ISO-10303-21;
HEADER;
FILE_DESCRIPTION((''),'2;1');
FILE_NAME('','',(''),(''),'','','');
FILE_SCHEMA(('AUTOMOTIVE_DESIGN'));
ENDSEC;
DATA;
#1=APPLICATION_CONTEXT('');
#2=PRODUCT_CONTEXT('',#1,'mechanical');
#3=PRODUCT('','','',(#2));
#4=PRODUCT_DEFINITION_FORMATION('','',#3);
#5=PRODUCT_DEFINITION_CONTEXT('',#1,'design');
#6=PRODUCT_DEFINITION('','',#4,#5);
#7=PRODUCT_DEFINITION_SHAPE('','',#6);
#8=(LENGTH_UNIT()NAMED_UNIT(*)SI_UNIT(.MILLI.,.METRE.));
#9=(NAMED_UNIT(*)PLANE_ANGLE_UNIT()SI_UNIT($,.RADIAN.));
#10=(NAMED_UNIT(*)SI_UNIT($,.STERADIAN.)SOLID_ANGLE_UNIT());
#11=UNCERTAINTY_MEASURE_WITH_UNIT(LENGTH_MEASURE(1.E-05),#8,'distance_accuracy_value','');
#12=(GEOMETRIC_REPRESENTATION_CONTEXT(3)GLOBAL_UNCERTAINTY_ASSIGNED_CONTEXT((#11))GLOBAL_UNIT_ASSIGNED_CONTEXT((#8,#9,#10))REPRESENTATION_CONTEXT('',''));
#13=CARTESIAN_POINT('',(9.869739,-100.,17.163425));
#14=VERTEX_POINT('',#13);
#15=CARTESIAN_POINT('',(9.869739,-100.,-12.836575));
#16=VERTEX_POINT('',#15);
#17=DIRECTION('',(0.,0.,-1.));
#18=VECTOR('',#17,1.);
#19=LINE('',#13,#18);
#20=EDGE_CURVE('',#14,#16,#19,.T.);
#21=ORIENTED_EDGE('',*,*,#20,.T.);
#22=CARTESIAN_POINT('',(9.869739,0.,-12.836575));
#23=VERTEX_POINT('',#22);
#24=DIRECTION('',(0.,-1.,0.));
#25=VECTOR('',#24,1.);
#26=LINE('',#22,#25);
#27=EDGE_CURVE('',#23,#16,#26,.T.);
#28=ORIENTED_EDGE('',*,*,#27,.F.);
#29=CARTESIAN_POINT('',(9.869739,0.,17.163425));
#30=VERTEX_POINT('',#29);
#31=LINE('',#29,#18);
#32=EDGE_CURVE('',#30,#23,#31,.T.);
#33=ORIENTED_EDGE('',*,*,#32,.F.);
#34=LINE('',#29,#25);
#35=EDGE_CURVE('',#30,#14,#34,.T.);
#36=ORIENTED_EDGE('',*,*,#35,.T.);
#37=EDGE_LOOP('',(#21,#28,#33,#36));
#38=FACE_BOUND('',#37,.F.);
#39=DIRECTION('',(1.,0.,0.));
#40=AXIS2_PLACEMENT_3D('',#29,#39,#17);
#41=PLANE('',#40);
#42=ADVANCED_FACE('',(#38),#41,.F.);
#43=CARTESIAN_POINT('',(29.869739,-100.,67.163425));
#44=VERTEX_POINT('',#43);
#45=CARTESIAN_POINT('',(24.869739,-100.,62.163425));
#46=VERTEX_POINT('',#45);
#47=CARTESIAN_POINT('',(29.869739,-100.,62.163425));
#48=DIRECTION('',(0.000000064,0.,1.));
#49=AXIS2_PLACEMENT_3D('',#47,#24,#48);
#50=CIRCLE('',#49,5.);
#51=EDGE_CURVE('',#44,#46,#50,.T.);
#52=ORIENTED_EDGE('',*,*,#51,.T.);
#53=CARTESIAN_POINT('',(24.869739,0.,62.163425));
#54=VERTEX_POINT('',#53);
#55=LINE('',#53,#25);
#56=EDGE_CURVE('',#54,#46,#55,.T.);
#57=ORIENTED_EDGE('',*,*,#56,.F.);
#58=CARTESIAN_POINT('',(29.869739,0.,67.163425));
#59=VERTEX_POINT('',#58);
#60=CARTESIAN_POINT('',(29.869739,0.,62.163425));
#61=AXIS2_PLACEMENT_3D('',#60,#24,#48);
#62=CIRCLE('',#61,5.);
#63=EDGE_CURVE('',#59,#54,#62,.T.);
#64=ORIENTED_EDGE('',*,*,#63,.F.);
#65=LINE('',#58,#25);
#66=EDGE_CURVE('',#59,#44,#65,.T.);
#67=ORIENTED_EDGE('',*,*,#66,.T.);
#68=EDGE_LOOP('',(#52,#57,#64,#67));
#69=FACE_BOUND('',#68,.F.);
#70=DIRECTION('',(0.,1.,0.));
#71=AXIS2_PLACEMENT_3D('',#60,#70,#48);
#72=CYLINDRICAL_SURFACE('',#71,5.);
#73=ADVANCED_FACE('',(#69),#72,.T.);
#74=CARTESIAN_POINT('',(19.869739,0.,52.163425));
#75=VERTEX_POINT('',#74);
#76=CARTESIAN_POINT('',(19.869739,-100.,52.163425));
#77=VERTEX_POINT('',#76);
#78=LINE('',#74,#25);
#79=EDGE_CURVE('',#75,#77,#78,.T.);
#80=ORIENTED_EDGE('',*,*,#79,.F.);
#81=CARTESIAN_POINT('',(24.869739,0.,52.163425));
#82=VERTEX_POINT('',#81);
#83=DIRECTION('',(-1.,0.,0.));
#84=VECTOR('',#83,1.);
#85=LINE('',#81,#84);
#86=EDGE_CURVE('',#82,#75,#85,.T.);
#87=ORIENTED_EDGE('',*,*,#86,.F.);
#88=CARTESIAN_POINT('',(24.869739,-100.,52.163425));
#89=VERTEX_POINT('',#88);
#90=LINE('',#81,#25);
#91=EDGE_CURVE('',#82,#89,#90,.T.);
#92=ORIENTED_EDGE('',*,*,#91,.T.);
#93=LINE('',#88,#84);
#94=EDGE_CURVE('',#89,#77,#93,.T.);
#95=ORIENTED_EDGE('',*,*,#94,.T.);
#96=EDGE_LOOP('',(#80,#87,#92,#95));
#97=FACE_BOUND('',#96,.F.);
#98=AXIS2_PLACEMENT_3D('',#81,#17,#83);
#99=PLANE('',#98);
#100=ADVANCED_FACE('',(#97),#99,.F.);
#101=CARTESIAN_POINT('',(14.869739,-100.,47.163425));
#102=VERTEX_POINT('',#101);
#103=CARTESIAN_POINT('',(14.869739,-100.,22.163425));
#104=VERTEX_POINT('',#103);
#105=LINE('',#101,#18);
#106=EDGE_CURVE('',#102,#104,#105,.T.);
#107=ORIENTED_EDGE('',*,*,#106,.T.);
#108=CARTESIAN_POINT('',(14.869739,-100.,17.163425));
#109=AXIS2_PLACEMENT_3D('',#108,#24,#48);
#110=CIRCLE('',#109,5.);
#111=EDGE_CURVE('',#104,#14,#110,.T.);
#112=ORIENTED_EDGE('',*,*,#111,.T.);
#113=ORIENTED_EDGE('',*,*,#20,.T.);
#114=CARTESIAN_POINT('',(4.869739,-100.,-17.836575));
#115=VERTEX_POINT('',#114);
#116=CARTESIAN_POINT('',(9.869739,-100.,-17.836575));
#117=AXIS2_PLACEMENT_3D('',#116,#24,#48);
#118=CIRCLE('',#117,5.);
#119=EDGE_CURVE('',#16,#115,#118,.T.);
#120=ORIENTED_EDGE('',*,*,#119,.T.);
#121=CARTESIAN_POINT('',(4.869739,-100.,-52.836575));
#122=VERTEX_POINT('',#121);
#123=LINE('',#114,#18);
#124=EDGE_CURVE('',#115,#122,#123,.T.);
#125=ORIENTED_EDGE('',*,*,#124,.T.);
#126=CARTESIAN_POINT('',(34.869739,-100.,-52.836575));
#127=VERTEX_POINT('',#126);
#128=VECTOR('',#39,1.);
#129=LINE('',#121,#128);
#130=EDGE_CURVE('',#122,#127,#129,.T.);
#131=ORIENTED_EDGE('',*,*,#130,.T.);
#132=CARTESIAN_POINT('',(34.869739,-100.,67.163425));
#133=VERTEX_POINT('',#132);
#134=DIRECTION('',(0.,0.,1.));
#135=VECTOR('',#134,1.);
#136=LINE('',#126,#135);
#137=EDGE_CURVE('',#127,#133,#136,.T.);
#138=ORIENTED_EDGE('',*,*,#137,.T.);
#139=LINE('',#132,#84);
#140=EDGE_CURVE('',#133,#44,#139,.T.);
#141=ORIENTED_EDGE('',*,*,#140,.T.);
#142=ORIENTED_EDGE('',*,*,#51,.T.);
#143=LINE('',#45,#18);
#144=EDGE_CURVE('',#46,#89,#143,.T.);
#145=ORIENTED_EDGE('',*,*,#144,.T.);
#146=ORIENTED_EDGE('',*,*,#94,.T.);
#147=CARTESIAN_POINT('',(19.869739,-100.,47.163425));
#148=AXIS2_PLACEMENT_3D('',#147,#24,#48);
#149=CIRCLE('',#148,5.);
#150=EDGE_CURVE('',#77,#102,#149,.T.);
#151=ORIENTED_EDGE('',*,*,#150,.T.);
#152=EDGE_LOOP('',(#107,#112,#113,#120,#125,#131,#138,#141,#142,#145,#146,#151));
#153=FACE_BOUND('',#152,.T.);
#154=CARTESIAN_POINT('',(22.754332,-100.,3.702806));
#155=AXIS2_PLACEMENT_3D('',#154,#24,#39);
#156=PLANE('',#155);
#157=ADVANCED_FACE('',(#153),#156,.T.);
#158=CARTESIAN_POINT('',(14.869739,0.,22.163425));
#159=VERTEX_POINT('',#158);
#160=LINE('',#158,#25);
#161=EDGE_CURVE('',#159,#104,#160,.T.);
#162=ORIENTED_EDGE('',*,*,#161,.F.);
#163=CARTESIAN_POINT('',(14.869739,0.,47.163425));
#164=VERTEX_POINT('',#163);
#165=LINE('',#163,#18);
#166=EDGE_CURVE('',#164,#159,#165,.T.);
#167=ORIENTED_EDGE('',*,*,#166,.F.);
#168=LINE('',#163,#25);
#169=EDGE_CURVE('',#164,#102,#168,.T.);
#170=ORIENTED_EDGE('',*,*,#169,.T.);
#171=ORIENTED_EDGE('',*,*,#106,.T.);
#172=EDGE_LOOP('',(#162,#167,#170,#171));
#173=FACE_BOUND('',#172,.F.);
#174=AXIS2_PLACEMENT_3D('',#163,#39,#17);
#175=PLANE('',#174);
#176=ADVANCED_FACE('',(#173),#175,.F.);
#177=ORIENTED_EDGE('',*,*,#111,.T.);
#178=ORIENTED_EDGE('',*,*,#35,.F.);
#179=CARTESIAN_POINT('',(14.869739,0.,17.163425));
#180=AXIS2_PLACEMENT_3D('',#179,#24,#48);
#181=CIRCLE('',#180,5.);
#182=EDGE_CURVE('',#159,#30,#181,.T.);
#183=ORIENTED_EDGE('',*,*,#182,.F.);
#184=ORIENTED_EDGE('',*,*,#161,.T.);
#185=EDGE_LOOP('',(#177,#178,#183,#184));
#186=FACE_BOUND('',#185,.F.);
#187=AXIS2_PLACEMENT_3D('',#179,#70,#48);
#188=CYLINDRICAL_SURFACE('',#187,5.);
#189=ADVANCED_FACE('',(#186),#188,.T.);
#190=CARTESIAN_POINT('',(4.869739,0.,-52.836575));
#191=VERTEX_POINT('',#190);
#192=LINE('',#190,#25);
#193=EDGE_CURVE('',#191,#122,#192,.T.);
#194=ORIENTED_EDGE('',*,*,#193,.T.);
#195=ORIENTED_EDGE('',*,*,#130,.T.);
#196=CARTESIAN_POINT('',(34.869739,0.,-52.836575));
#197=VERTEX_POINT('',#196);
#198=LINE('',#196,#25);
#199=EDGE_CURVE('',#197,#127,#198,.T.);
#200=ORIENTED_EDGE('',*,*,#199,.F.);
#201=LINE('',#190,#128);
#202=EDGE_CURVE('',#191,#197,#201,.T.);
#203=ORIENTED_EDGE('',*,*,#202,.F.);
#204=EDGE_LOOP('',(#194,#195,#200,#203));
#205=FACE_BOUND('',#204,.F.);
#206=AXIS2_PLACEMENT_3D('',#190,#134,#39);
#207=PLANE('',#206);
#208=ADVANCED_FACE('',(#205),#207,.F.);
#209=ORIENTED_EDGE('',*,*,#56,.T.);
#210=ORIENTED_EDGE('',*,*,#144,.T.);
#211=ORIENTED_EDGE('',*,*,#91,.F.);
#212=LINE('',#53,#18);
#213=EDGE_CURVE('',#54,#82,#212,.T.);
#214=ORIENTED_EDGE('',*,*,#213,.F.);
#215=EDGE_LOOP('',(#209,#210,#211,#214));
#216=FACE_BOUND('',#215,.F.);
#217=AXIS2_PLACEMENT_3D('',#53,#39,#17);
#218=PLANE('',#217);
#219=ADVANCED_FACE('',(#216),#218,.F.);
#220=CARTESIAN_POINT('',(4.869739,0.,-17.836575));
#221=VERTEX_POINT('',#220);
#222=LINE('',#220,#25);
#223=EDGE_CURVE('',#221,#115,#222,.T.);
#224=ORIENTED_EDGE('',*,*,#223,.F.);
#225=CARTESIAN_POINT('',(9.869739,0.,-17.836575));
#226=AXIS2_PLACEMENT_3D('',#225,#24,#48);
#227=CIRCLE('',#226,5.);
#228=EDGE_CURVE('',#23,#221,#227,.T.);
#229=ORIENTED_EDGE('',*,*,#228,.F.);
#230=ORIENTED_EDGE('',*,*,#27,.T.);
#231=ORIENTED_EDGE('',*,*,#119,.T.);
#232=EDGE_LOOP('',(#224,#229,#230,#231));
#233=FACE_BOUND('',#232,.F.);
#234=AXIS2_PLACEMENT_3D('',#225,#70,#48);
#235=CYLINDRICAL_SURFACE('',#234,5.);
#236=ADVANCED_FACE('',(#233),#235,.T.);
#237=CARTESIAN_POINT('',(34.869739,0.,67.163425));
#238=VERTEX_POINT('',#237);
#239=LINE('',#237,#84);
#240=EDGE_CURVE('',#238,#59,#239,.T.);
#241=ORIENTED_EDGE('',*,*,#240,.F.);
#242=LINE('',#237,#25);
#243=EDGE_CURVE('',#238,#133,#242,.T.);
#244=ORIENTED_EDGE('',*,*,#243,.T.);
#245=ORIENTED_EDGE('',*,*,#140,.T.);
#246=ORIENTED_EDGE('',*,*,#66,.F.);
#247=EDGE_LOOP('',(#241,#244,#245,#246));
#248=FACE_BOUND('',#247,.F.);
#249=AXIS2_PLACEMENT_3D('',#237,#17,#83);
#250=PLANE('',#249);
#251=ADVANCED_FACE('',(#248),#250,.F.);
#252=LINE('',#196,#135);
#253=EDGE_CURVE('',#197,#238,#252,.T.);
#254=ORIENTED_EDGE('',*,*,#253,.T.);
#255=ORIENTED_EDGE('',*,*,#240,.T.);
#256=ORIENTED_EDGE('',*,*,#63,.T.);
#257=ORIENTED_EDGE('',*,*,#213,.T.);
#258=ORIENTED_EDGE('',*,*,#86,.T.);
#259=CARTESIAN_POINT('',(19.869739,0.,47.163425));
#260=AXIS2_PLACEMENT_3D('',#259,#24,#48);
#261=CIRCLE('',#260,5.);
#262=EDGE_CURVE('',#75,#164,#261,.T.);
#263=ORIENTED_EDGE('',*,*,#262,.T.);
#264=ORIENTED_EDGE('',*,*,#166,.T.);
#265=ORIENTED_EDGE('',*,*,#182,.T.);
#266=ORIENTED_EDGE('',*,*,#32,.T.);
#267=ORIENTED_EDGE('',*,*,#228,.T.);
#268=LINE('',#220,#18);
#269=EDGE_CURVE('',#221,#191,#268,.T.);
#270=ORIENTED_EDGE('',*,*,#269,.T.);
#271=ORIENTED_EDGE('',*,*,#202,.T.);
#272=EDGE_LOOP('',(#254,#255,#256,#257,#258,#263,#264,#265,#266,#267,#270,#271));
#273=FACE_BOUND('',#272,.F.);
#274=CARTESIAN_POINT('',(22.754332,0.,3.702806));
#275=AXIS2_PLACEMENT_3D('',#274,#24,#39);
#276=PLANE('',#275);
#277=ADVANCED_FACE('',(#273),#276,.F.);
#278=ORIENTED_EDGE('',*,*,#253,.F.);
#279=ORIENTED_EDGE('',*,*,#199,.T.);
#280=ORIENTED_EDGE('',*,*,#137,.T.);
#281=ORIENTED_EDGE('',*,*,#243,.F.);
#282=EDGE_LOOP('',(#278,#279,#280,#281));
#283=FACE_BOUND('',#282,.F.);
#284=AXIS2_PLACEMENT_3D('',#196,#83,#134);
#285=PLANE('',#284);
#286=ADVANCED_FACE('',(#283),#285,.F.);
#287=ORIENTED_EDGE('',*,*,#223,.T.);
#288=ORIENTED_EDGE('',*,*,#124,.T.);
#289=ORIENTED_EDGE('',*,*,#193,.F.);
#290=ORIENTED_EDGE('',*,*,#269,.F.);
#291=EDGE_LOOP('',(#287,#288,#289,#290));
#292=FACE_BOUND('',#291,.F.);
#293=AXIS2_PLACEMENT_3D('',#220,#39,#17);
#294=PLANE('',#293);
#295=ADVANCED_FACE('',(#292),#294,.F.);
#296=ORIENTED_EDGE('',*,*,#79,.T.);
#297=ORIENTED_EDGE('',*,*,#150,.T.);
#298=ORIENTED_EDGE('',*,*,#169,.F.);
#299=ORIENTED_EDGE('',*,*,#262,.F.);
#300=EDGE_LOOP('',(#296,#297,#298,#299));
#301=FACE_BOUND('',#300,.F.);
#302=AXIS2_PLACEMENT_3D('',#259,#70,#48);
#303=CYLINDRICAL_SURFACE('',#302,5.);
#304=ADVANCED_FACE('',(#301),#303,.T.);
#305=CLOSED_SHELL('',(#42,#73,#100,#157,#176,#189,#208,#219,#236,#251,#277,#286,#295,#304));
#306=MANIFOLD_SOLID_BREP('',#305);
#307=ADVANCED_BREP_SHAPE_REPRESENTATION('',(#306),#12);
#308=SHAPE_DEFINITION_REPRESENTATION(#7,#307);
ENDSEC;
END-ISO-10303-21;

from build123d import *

# Parameters (mm, degrees)
F1_DEPTH = 100


with BuildPart() as f1:
    # F0 (on Front) → F1 (new body)
    with BuildSketch(Plane.XZ):
        with BuildLine():
            Line((34.869739, -52.836575), (34.869739, 67.163425))
            Line((34.869739, 67.163425), (29.869739, 67.163425))
            ThreePointArc((29.869739, 67.163425), (26.334205, 65.698959), (24.869739, 62.163425))
            Line((24.869739, 62.163425), (24.869739, 52.163425))
            Line((24.869739, 52.163425), (19.869739, 52.163425))
            ThreePointArc((19.869739, 52.163425), (16.334205, 50.698959), (14.869739, 47.163425))
            Line((14.869739, 47.163425), (14.869739, 22.163425))
            ThreePointArc((14.869739, 22.163425), (11.334205, 20.698959), (9.869739, 17.163425))
            Line((9.869739, 17.163425), (9.869739, -12.836575))
            ThreePointArc((9.869739, -12.836575), (6.334205, -14.301041), (4.869739, -17.836575))
            Line((4.869739, -17.836575), (4.869739, -52.836575))
            Line((4.869739, -52.836575), (34.869739, -52.836575))
        make_face()
    extrude(amount=F1_DEPTH)


solid = f1.part
